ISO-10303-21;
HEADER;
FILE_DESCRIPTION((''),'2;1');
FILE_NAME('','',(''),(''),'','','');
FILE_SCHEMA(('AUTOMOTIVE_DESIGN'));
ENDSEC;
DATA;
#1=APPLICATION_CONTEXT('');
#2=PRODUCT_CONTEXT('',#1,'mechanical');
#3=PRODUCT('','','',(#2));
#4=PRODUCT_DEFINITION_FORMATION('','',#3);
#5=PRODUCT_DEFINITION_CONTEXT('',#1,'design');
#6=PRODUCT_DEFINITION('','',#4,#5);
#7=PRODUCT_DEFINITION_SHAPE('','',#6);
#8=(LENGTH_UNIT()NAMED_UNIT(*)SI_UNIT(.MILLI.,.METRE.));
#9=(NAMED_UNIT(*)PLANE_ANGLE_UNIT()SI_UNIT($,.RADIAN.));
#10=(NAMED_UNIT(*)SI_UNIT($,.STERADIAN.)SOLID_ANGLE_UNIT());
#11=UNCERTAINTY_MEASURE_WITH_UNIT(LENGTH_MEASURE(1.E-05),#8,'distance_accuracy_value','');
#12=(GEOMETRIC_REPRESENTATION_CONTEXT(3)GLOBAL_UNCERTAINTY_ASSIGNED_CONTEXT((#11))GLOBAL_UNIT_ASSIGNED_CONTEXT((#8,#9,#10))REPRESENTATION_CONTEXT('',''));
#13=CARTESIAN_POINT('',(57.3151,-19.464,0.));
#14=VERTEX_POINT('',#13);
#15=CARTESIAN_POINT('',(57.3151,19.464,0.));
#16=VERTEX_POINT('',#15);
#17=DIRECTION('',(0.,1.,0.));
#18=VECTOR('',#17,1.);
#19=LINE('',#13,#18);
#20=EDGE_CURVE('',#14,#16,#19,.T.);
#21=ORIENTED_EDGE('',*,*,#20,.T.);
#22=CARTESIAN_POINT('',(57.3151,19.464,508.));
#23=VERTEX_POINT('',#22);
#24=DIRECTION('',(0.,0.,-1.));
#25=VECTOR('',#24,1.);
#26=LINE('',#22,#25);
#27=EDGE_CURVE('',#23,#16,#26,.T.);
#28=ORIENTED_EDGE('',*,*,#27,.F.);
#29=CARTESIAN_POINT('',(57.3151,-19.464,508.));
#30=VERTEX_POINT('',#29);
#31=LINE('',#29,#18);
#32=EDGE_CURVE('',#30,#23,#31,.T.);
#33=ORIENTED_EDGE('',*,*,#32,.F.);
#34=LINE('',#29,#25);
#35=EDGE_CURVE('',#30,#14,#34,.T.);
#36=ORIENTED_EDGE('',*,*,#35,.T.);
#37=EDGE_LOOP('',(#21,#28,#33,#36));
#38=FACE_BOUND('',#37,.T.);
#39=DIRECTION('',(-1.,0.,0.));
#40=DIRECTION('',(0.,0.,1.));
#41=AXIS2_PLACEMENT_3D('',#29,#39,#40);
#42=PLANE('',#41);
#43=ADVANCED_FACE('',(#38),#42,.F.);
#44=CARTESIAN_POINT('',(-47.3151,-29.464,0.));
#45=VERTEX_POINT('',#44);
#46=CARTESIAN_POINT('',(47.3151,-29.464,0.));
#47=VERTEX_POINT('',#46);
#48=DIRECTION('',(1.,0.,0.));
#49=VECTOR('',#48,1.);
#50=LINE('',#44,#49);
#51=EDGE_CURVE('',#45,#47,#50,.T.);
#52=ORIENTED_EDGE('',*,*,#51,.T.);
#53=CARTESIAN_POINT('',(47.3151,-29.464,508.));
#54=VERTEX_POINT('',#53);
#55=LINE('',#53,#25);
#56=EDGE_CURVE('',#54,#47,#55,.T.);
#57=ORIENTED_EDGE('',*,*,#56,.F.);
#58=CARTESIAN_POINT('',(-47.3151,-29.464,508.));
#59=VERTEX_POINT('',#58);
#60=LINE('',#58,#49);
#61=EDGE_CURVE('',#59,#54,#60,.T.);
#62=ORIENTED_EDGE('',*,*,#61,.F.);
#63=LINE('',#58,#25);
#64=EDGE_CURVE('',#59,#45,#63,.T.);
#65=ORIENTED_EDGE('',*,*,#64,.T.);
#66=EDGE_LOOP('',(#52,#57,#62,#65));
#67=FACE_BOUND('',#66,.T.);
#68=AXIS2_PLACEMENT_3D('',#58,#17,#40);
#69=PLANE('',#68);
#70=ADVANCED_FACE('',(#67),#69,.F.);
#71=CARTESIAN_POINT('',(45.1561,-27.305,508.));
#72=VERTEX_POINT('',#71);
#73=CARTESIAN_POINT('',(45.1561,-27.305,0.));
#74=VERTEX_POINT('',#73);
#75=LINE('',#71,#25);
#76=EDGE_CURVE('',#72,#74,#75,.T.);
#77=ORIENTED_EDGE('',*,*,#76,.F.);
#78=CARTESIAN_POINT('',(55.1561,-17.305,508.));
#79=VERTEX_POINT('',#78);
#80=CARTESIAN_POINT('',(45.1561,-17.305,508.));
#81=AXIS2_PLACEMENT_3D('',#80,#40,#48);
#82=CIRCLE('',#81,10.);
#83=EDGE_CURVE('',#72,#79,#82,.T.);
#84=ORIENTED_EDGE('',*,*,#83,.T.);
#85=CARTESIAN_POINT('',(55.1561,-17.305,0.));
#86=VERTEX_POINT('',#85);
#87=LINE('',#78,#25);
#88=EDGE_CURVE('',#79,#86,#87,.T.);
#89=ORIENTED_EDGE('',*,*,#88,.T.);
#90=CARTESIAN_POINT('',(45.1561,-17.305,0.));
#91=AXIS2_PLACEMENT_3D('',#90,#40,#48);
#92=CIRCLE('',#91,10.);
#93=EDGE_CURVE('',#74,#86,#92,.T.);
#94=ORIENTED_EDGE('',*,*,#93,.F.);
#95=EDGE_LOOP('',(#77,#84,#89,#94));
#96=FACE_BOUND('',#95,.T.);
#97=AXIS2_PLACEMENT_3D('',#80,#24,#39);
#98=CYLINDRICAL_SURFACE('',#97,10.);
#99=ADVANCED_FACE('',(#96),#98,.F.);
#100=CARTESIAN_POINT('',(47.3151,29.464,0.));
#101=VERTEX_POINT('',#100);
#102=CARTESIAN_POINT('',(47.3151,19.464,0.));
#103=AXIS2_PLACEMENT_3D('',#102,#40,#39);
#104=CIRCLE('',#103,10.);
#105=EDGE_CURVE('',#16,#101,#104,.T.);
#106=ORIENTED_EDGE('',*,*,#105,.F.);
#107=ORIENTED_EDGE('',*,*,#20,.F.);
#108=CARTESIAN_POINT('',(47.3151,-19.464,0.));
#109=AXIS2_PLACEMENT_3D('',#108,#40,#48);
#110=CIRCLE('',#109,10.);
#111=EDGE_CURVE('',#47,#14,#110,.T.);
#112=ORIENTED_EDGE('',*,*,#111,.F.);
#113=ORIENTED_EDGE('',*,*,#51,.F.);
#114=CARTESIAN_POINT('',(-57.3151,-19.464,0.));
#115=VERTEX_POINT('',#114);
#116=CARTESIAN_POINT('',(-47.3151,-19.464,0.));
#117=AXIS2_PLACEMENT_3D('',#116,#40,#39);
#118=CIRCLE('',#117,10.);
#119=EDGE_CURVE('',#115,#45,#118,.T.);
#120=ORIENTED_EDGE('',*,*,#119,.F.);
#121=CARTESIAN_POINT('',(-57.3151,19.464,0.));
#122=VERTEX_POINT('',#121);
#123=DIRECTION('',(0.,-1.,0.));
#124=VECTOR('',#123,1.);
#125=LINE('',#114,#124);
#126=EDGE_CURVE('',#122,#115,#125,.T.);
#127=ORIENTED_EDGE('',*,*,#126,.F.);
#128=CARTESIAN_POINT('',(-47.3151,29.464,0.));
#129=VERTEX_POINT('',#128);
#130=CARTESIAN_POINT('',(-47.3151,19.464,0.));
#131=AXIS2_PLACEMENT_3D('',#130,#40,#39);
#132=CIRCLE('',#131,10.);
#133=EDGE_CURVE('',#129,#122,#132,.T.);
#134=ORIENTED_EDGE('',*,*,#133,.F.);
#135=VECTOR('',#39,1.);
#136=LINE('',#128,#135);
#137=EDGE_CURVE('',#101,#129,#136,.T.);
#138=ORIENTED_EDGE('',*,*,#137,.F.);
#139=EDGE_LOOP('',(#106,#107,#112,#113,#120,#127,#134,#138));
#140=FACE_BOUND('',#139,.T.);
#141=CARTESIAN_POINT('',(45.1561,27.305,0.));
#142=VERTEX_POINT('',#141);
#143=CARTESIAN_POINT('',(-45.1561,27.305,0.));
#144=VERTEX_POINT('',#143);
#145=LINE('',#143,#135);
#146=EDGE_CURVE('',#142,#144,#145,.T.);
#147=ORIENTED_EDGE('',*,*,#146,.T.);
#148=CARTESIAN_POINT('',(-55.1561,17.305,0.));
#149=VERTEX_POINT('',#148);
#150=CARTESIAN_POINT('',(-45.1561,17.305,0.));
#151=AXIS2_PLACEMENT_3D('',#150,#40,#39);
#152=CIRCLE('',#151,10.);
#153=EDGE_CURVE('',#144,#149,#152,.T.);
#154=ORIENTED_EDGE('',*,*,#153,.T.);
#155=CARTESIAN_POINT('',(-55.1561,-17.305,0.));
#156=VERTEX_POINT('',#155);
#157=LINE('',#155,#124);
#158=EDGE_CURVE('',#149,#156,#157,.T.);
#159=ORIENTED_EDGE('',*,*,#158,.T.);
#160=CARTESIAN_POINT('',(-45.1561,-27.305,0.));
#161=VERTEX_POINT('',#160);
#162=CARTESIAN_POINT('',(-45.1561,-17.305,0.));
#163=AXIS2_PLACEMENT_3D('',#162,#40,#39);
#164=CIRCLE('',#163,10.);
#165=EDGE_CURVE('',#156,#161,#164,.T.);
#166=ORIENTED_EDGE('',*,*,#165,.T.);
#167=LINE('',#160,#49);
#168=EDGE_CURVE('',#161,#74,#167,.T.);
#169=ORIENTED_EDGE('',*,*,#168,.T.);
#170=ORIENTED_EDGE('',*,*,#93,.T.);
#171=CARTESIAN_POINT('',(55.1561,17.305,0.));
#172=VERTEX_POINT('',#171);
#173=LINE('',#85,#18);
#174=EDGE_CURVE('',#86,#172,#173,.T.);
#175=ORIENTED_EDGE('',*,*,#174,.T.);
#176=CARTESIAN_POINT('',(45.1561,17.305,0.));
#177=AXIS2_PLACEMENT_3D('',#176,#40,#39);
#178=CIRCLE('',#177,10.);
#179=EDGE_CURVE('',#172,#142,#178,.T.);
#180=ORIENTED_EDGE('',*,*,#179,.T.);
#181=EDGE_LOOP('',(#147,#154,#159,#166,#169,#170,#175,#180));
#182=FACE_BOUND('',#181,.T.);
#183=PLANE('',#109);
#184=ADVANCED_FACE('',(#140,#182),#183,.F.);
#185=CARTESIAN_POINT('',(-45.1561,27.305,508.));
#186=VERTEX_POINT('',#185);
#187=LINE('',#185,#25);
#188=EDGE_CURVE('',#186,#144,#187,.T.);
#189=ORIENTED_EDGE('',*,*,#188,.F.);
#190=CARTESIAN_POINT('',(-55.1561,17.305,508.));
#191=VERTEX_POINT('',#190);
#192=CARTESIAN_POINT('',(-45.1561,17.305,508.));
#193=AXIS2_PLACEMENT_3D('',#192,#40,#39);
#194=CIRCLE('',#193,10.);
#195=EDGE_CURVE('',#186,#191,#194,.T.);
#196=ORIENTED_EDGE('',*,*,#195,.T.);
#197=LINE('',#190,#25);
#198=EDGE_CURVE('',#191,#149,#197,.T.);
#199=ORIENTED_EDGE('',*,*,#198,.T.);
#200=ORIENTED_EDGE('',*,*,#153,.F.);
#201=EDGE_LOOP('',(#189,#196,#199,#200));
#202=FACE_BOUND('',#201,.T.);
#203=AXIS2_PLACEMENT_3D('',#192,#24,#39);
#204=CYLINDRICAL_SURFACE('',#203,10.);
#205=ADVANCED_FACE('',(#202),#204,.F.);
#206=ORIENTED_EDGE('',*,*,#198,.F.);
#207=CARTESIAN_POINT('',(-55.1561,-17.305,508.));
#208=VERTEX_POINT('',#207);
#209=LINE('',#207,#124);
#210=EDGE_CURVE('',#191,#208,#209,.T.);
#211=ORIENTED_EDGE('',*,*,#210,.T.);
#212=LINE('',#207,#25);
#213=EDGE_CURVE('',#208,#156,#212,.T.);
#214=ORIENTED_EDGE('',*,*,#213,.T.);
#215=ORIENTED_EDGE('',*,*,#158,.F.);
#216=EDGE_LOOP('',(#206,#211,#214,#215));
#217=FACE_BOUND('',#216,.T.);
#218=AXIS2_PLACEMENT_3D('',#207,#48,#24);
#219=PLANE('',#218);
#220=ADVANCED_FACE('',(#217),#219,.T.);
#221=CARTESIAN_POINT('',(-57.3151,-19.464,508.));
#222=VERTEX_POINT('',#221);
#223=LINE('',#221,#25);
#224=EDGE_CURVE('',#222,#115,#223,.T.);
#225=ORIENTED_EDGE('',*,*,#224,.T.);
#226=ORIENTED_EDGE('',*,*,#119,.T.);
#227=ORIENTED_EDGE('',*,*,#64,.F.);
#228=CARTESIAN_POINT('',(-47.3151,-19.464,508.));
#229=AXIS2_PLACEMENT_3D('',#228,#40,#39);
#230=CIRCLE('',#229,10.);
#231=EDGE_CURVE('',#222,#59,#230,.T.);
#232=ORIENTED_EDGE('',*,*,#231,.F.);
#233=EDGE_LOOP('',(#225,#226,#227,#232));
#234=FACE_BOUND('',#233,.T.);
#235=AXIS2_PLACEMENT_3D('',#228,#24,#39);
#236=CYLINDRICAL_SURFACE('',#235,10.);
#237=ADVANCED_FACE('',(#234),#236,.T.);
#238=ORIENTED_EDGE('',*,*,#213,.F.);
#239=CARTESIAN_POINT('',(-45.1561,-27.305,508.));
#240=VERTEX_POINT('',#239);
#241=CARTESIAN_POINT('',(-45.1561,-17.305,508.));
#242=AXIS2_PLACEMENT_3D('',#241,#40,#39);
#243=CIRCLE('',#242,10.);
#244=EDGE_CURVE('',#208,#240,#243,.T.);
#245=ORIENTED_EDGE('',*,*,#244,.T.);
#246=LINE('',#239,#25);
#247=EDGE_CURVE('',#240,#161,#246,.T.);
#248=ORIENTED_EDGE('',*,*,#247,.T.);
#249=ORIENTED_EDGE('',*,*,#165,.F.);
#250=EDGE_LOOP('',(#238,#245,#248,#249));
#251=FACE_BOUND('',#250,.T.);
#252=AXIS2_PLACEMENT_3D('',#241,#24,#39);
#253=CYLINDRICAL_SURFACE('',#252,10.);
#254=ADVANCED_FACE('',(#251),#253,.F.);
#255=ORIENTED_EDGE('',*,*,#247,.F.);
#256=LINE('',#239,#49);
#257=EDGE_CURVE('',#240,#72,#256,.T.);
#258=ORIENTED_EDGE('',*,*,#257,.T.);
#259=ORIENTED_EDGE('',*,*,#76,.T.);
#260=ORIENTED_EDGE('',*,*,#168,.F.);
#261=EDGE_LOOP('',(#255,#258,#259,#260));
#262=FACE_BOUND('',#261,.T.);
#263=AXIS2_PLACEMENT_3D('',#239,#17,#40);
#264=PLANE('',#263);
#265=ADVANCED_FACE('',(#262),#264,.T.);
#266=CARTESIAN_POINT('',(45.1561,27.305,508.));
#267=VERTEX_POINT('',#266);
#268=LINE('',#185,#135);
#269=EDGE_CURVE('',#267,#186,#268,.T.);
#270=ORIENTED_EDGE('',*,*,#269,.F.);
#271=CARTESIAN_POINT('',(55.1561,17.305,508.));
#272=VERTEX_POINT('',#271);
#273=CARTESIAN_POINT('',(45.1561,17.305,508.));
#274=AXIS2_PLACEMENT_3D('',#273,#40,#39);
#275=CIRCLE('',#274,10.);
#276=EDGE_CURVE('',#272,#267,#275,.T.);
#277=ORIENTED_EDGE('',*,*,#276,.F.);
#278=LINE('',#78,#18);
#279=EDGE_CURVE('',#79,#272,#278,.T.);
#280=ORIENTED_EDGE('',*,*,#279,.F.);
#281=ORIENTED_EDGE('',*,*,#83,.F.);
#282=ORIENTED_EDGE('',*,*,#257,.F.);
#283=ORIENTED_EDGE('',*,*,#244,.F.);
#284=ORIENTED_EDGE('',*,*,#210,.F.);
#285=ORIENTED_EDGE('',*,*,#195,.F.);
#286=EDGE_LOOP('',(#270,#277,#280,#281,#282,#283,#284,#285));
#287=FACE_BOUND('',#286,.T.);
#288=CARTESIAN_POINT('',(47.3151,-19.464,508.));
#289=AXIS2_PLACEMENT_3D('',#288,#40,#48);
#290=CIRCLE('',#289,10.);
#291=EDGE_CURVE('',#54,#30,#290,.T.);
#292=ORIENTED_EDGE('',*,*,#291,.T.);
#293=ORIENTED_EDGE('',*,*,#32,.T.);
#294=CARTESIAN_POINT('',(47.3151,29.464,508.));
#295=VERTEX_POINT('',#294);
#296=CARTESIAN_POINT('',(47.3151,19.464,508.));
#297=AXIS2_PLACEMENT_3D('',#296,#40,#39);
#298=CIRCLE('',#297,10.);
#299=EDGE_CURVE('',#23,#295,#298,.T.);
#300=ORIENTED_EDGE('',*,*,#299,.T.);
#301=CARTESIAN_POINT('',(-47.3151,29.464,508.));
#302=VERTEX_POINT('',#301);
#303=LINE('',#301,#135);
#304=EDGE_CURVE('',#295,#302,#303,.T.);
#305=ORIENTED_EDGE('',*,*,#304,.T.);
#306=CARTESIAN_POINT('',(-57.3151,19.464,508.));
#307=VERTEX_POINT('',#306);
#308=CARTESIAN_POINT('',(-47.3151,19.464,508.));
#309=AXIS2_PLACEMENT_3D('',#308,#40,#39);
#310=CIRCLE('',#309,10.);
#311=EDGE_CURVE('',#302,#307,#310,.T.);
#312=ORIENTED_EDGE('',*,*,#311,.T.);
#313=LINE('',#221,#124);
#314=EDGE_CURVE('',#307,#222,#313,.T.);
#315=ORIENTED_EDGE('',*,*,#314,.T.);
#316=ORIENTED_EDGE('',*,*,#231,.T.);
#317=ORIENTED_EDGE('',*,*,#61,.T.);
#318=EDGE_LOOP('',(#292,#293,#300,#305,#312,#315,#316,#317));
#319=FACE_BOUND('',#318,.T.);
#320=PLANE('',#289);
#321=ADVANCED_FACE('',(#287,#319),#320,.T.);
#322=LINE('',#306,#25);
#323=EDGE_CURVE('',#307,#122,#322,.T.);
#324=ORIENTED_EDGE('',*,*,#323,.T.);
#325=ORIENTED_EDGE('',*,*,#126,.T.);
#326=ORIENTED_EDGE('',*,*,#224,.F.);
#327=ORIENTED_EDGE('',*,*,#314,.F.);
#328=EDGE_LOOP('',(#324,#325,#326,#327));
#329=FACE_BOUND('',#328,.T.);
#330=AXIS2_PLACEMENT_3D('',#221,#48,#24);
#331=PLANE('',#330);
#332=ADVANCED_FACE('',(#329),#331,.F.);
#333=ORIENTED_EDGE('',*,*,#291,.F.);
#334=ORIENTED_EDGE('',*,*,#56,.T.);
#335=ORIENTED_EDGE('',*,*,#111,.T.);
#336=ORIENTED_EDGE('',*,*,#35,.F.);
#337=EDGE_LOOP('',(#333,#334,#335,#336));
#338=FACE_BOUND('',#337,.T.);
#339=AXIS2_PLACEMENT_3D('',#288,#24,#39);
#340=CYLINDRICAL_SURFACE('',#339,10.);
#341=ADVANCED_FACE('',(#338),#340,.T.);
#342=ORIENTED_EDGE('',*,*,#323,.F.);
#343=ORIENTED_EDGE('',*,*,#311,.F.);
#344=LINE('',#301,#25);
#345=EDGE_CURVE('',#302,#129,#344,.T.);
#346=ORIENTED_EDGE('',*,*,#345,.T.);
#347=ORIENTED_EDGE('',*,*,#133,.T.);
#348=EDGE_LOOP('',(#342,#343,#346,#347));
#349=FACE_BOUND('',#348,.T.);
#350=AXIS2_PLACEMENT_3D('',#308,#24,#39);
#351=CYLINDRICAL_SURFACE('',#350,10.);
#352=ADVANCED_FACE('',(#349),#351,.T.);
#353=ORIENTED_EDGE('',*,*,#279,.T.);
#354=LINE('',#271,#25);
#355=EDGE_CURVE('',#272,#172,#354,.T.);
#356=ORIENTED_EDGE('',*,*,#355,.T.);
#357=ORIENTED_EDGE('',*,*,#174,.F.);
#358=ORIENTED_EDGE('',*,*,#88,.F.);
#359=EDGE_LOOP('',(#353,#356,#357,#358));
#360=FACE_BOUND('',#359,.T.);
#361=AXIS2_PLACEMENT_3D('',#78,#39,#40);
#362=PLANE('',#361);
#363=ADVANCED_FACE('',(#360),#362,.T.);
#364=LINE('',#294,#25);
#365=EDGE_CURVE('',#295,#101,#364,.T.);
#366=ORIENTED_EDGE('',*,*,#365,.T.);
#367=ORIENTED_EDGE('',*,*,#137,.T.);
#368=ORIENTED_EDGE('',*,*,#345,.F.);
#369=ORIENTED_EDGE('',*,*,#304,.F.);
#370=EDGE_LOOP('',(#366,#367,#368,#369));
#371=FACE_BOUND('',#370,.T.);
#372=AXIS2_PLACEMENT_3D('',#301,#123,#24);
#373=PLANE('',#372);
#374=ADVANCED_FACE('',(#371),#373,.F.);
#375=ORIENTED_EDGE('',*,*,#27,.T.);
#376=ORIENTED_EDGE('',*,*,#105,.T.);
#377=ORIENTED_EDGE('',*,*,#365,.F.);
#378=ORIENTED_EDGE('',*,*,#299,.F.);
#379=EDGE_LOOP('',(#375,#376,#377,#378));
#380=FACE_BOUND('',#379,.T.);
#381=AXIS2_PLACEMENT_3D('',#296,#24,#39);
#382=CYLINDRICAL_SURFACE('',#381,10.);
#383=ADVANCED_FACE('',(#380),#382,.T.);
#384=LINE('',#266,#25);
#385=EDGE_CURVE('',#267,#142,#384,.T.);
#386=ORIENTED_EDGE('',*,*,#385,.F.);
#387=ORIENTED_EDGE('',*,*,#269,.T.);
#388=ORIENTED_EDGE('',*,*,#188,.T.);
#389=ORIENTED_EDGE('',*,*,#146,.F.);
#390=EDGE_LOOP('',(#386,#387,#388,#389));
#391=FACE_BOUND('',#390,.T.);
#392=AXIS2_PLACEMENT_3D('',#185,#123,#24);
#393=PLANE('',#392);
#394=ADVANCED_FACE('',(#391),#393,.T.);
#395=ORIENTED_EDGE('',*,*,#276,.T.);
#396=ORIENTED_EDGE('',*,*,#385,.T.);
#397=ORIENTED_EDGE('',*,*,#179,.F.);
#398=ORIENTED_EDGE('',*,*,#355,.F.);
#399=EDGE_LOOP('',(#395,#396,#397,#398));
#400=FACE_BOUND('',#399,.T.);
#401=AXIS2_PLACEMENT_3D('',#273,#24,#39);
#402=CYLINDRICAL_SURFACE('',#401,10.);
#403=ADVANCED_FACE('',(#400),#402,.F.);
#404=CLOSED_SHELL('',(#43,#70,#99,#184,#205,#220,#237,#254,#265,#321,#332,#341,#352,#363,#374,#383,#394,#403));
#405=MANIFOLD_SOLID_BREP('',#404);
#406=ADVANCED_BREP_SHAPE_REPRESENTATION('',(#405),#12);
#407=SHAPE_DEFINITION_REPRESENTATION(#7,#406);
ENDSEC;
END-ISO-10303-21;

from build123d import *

# Parameters (mm, degrees)
BOSS_EXTRUDE1_DEPTH = 508


with BuildPart() as part:
    # Sketch1 → Boss-Extrude1 (new body)
    with BuildSketch(Plane.XY):
        with BuildLine():
            Line((-47.3151, -29.464), (47.3151, -29.464))
            ThreePointArc((47.3151, -29.464), (54.386167812, -26.535067812), (57.3151, -19.464))
            Line((57.3151, -19.464), (57.3151, 19.464))
            ThreePointArc((57.3151, 19.464), (54.386167812, 26.535067812), (47.3151, 29.464))
            Line((47.3151, 29.464), (-47.3151, 29.464))
            ThreePointArc((-47.3151, 29.464), (-54.386167812, 26.535067812), (-57.3151, 19.464))
            Line((-57.3151, 19.464), (-57.3151, -19.464))
            ThreePointArc((-57.3151, -19.464), (-54.386167812, -26.535067812), (-47.3151, -29.464))
        make_face()
        with BuildLine():
            Line((-45.1561, -27.305), (45.1561, -27.305))
            ThreePointArc((45.1561, -27.305), (52.227167812, -24.376067812), (55.1561, -17.305))
            Line((55.1561, -17.305), (55.1561, 17.305))
            ThreePointArc((55.1561, 17.305), (52.227167812, 24.376067812), (45.1561, 27.305))
            Line((45.1561, 27.305), (-45.1561, 27.305))
            ThreePointArc((-45.1561, 27.305), (-52.227167812, 24.376067812), (-55.1561, 17.305))
            Line((-55.1561, 17.305), (-55.1561, -17.305))
            ThreePointArc((-55.1561, -17.305), (-52.227167812, -24.376067812), (-45.1561, -27.305))
        make_face(mode=Mode.SUBTRACT)
    extrude(amount=BOSS_EXTRUDE1_DEPTH)


solid = part.part
